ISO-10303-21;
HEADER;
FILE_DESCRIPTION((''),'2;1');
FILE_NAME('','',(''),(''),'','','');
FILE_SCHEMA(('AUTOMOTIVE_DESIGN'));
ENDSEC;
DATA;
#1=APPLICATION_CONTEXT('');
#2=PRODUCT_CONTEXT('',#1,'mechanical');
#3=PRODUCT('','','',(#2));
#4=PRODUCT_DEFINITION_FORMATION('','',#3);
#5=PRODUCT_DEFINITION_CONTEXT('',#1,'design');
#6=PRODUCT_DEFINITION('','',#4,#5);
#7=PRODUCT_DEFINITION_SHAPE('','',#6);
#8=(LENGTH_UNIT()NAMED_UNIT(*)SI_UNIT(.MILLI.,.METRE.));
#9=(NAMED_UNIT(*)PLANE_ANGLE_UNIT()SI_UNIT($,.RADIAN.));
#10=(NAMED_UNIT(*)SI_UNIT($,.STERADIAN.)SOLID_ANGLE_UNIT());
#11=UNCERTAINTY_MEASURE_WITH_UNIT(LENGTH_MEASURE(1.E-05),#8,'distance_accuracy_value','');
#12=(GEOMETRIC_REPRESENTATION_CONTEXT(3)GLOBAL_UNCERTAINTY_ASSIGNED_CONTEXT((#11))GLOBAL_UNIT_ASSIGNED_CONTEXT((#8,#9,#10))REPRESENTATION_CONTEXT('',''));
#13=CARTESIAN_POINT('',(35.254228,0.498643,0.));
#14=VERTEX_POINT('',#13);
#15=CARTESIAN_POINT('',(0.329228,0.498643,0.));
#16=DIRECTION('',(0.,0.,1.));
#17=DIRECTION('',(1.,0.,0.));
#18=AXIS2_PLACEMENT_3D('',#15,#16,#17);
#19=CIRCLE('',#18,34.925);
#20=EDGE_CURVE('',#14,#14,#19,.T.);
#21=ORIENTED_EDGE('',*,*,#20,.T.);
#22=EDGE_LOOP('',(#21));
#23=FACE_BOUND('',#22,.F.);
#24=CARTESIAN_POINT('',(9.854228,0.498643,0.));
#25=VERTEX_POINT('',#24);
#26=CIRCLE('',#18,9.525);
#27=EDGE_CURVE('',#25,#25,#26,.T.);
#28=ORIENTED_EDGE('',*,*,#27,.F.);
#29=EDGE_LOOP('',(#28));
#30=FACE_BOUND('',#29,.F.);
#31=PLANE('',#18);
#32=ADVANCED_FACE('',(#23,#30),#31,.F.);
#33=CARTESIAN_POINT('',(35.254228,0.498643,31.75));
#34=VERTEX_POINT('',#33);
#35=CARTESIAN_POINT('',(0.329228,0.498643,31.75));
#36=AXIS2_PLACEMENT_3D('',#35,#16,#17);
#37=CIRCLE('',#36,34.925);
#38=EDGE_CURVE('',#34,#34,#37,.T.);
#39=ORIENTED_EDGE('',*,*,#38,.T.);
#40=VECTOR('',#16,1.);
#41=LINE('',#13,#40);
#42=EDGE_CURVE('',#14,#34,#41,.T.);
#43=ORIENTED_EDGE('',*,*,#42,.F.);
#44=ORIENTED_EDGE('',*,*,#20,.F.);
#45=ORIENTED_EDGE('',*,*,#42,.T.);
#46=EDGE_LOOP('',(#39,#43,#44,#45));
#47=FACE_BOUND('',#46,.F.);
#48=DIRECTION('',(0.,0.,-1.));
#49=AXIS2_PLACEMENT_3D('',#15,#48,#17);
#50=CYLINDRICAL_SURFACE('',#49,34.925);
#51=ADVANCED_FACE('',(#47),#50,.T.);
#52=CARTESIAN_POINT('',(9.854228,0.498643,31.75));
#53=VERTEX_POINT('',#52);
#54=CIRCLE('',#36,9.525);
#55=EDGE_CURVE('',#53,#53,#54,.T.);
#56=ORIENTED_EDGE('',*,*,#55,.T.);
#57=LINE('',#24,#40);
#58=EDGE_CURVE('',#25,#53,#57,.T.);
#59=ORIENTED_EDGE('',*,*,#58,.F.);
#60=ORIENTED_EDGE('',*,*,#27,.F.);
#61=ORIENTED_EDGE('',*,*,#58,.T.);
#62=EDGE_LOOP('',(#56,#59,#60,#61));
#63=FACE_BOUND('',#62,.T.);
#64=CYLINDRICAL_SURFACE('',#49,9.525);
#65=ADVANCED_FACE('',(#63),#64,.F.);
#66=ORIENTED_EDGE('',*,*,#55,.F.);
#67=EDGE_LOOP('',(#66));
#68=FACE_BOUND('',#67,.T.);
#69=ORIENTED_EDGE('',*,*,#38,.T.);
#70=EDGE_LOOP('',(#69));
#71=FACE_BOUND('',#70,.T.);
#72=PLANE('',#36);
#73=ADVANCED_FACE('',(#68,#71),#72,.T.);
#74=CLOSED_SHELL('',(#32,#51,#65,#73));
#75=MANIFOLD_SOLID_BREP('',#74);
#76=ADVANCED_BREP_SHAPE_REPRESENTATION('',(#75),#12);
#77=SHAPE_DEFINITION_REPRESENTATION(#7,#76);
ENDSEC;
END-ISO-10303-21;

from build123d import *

# Parameters (mm, degrees)
F0_R     = 34.925
F0_R_2   = 9.525
F1_DEPTH = 31.75


with BuildPart() as f1:
    # F0 (on Top) → F1 (new body)
    with BuildSketch(Plane.XY):
        with Locations((0.329228, 0.498643)):
            Circle(F0_R)
        with Locations((0.329228, 0.498643)):
            Circle(F0_R_2, mode=Mode.SUBTRACT)
    extrude(amount=F1_DEPTH)


solid = f1.part
